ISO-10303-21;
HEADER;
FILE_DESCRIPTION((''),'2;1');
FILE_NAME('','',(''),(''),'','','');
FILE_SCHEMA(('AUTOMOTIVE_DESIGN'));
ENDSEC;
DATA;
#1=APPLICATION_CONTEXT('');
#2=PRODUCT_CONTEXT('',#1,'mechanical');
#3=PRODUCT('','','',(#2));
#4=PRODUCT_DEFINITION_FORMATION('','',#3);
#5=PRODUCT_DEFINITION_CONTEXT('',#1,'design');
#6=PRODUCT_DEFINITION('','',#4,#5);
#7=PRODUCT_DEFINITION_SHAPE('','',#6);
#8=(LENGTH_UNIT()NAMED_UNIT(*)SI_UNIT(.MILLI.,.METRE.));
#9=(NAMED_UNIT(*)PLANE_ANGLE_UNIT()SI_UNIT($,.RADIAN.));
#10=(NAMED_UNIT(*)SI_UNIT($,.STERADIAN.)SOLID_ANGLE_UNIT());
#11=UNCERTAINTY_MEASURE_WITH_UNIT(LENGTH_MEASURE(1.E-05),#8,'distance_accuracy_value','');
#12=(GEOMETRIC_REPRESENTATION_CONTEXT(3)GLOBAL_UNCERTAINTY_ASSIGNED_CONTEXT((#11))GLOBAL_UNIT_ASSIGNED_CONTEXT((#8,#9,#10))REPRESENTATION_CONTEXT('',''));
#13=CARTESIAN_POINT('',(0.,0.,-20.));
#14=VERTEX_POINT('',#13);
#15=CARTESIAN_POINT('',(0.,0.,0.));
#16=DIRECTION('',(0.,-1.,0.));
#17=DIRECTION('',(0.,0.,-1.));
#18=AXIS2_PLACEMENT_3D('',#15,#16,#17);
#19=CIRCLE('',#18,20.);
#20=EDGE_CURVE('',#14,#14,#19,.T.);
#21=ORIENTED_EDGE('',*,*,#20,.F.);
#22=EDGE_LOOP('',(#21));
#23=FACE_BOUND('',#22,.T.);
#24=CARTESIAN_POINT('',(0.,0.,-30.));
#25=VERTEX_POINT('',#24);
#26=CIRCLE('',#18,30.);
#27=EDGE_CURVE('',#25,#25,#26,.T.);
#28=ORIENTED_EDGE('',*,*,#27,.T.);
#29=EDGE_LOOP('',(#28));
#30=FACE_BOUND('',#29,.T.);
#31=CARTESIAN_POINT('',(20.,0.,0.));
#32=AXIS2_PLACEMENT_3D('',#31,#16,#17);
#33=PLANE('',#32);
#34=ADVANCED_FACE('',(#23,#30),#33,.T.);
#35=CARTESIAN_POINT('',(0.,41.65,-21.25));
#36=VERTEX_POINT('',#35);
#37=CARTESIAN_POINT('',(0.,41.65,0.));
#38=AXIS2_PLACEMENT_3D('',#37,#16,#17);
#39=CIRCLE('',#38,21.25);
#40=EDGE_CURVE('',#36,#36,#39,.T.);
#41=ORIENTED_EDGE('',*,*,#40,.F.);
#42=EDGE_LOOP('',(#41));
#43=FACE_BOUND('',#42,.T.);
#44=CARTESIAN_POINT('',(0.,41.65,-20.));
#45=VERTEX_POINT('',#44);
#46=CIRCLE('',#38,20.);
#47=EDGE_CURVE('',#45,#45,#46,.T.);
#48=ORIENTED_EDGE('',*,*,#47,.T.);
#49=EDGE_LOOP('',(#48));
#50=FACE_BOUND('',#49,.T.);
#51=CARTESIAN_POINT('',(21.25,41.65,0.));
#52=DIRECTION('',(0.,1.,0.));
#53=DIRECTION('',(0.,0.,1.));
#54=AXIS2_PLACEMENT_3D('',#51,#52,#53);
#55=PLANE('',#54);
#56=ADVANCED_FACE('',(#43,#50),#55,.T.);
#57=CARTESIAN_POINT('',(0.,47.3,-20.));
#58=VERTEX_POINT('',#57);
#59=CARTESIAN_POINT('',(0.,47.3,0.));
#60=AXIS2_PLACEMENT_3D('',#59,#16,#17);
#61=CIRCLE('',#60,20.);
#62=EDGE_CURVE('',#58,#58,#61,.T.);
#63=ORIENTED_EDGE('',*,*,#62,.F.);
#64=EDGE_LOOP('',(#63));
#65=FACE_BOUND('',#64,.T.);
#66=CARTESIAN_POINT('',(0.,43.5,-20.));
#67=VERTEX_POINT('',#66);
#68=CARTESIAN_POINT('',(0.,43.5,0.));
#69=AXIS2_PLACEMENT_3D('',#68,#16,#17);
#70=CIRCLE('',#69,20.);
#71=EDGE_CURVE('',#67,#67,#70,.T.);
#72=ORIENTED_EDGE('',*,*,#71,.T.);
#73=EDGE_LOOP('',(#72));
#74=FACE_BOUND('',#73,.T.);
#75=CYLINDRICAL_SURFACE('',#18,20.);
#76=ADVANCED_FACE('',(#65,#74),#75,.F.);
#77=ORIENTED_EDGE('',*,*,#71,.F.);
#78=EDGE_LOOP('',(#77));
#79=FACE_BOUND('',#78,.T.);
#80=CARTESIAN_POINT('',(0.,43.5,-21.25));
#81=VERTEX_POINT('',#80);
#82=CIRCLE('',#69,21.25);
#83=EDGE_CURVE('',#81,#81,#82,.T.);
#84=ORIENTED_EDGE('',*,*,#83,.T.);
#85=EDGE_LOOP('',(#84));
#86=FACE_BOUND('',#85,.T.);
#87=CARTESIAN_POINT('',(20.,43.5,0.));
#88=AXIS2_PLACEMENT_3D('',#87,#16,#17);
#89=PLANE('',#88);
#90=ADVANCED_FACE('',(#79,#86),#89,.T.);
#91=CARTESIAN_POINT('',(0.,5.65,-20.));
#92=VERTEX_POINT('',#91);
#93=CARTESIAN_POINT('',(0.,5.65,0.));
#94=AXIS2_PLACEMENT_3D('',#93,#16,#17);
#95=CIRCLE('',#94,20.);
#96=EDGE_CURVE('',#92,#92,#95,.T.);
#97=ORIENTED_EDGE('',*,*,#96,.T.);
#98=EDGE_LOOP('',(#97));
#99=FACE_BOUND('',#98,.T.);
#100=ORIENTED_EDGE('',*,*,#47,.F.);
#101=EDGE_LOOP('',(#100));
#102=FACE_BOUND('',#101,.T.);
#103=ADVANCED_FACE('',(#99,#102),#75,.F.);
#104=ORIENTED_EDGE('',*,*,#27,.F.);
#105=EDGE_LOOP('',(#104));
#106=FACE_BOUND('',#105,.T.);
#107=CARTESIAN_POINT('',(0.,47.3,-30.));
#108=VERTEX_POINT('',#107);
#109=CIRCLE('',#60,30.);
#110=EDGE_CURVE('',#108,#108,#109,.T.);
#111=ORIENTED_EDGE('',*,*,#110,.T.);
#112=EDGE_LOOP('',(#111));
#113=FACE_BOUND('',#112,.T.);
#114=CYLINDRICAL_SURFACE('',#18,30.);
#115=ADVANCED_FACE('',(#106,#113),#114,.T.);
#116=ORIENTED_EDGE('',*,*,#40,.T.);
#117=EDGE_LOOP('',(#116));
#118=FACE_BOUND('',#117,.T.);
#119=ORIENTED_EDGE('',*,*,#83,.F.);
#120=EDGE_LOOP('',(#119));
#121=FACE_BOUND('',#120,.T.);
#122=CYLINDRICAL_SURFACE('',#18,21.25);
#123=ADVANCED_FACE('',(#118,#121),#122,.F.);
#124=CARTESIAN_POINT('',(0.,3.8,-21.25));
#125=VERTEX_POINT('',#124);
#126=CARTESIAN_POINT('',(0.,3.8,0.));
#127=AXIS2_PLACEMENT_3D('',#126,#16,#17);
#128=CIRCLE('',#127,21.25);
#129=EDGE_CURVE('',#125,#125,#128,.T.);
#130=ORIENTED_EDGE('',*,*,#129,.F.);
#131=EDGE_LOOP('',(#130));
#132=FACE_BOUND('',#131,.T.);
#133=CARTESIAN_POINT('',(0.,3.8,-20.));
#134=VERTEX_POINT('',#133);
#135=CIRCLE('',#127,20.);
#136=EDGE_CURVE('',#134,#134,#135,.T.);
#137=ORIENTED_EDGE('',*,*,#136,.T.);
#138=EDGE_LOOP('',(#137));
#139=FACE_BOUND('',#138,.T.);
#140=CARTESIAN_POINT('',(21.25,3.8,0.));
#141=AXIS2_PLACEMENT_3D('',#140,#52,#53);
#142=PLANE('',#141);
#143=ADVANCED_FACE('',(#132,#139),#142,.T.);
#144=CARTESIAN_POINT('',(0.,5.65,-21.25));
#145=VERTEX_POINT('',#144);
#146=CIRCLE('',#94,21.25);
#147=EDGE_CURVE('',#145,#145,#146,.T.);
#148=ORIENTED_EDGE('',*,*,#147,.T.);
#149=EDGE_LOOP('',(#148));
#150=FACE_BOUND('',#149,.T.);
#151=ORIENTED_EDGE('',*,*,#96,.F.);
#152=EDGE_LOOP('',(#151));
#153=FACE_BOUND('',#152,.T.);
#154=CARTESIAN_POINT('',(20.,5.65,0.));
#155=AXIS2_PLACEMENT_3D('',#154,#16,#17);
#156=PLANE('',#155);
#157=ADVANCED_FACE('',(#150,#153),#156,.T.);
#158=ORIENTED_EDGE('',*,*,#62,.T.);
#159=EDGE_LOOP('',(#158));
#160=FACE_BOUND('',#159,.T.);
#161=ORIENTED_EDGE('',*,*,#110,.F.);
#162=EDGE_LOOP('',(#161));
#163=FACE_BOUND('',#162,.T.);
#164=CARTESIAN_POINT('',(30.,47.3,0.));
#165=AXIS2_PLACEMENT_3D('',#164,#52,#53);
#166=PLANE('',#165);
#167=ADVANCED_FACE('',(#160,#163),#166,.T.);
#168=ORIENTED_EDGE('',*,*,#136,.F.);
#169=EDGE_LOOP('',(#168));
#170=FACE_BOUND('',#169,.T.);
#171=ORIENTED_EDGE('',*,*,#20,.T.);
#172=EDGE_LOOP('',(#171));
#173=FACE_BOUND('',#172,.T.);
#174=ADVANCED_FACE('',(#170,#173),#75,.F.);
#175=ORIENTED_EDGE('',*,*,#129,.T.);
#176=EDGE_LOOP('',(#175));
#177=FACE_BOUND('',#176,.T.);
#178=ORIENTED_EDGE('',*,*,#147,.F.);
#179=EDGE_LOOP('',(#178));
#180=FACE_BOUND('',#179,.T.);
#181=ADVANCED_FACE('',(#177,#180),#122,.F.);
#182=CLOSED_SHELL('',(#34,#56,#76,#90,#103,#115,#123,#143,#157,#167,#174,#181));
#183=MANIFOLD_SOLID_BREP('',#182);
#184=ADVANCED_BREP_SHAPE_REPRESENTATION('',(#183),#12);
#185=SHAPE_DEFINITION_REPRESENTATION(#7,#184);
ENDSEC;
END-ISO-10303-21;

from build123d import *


with BuildPart() as part:
    # Sketch1 → Revolve1 (revolve)
    with BuildSketch(Plane.XY, mode=Mode.PRIVATE) as revolve1_sk:
        Polygon((20, 0), (30, 0), (30, 47.3), (20, 47.3), (20, 43.5), (21.25, 43.5), (21.25, 41.65), (20, 41.65), (20, 5.65), (21.25, 5.65), (21.25, 3.8), (20, 3.8), align=None)
    revolve(revolve1_sk.sketch.rotate(Axis((0, 0, 0), (0, 1, 0)), 90), axis=Axis((0, 0, 0), (0, 1, 0)))


solid = part.part
